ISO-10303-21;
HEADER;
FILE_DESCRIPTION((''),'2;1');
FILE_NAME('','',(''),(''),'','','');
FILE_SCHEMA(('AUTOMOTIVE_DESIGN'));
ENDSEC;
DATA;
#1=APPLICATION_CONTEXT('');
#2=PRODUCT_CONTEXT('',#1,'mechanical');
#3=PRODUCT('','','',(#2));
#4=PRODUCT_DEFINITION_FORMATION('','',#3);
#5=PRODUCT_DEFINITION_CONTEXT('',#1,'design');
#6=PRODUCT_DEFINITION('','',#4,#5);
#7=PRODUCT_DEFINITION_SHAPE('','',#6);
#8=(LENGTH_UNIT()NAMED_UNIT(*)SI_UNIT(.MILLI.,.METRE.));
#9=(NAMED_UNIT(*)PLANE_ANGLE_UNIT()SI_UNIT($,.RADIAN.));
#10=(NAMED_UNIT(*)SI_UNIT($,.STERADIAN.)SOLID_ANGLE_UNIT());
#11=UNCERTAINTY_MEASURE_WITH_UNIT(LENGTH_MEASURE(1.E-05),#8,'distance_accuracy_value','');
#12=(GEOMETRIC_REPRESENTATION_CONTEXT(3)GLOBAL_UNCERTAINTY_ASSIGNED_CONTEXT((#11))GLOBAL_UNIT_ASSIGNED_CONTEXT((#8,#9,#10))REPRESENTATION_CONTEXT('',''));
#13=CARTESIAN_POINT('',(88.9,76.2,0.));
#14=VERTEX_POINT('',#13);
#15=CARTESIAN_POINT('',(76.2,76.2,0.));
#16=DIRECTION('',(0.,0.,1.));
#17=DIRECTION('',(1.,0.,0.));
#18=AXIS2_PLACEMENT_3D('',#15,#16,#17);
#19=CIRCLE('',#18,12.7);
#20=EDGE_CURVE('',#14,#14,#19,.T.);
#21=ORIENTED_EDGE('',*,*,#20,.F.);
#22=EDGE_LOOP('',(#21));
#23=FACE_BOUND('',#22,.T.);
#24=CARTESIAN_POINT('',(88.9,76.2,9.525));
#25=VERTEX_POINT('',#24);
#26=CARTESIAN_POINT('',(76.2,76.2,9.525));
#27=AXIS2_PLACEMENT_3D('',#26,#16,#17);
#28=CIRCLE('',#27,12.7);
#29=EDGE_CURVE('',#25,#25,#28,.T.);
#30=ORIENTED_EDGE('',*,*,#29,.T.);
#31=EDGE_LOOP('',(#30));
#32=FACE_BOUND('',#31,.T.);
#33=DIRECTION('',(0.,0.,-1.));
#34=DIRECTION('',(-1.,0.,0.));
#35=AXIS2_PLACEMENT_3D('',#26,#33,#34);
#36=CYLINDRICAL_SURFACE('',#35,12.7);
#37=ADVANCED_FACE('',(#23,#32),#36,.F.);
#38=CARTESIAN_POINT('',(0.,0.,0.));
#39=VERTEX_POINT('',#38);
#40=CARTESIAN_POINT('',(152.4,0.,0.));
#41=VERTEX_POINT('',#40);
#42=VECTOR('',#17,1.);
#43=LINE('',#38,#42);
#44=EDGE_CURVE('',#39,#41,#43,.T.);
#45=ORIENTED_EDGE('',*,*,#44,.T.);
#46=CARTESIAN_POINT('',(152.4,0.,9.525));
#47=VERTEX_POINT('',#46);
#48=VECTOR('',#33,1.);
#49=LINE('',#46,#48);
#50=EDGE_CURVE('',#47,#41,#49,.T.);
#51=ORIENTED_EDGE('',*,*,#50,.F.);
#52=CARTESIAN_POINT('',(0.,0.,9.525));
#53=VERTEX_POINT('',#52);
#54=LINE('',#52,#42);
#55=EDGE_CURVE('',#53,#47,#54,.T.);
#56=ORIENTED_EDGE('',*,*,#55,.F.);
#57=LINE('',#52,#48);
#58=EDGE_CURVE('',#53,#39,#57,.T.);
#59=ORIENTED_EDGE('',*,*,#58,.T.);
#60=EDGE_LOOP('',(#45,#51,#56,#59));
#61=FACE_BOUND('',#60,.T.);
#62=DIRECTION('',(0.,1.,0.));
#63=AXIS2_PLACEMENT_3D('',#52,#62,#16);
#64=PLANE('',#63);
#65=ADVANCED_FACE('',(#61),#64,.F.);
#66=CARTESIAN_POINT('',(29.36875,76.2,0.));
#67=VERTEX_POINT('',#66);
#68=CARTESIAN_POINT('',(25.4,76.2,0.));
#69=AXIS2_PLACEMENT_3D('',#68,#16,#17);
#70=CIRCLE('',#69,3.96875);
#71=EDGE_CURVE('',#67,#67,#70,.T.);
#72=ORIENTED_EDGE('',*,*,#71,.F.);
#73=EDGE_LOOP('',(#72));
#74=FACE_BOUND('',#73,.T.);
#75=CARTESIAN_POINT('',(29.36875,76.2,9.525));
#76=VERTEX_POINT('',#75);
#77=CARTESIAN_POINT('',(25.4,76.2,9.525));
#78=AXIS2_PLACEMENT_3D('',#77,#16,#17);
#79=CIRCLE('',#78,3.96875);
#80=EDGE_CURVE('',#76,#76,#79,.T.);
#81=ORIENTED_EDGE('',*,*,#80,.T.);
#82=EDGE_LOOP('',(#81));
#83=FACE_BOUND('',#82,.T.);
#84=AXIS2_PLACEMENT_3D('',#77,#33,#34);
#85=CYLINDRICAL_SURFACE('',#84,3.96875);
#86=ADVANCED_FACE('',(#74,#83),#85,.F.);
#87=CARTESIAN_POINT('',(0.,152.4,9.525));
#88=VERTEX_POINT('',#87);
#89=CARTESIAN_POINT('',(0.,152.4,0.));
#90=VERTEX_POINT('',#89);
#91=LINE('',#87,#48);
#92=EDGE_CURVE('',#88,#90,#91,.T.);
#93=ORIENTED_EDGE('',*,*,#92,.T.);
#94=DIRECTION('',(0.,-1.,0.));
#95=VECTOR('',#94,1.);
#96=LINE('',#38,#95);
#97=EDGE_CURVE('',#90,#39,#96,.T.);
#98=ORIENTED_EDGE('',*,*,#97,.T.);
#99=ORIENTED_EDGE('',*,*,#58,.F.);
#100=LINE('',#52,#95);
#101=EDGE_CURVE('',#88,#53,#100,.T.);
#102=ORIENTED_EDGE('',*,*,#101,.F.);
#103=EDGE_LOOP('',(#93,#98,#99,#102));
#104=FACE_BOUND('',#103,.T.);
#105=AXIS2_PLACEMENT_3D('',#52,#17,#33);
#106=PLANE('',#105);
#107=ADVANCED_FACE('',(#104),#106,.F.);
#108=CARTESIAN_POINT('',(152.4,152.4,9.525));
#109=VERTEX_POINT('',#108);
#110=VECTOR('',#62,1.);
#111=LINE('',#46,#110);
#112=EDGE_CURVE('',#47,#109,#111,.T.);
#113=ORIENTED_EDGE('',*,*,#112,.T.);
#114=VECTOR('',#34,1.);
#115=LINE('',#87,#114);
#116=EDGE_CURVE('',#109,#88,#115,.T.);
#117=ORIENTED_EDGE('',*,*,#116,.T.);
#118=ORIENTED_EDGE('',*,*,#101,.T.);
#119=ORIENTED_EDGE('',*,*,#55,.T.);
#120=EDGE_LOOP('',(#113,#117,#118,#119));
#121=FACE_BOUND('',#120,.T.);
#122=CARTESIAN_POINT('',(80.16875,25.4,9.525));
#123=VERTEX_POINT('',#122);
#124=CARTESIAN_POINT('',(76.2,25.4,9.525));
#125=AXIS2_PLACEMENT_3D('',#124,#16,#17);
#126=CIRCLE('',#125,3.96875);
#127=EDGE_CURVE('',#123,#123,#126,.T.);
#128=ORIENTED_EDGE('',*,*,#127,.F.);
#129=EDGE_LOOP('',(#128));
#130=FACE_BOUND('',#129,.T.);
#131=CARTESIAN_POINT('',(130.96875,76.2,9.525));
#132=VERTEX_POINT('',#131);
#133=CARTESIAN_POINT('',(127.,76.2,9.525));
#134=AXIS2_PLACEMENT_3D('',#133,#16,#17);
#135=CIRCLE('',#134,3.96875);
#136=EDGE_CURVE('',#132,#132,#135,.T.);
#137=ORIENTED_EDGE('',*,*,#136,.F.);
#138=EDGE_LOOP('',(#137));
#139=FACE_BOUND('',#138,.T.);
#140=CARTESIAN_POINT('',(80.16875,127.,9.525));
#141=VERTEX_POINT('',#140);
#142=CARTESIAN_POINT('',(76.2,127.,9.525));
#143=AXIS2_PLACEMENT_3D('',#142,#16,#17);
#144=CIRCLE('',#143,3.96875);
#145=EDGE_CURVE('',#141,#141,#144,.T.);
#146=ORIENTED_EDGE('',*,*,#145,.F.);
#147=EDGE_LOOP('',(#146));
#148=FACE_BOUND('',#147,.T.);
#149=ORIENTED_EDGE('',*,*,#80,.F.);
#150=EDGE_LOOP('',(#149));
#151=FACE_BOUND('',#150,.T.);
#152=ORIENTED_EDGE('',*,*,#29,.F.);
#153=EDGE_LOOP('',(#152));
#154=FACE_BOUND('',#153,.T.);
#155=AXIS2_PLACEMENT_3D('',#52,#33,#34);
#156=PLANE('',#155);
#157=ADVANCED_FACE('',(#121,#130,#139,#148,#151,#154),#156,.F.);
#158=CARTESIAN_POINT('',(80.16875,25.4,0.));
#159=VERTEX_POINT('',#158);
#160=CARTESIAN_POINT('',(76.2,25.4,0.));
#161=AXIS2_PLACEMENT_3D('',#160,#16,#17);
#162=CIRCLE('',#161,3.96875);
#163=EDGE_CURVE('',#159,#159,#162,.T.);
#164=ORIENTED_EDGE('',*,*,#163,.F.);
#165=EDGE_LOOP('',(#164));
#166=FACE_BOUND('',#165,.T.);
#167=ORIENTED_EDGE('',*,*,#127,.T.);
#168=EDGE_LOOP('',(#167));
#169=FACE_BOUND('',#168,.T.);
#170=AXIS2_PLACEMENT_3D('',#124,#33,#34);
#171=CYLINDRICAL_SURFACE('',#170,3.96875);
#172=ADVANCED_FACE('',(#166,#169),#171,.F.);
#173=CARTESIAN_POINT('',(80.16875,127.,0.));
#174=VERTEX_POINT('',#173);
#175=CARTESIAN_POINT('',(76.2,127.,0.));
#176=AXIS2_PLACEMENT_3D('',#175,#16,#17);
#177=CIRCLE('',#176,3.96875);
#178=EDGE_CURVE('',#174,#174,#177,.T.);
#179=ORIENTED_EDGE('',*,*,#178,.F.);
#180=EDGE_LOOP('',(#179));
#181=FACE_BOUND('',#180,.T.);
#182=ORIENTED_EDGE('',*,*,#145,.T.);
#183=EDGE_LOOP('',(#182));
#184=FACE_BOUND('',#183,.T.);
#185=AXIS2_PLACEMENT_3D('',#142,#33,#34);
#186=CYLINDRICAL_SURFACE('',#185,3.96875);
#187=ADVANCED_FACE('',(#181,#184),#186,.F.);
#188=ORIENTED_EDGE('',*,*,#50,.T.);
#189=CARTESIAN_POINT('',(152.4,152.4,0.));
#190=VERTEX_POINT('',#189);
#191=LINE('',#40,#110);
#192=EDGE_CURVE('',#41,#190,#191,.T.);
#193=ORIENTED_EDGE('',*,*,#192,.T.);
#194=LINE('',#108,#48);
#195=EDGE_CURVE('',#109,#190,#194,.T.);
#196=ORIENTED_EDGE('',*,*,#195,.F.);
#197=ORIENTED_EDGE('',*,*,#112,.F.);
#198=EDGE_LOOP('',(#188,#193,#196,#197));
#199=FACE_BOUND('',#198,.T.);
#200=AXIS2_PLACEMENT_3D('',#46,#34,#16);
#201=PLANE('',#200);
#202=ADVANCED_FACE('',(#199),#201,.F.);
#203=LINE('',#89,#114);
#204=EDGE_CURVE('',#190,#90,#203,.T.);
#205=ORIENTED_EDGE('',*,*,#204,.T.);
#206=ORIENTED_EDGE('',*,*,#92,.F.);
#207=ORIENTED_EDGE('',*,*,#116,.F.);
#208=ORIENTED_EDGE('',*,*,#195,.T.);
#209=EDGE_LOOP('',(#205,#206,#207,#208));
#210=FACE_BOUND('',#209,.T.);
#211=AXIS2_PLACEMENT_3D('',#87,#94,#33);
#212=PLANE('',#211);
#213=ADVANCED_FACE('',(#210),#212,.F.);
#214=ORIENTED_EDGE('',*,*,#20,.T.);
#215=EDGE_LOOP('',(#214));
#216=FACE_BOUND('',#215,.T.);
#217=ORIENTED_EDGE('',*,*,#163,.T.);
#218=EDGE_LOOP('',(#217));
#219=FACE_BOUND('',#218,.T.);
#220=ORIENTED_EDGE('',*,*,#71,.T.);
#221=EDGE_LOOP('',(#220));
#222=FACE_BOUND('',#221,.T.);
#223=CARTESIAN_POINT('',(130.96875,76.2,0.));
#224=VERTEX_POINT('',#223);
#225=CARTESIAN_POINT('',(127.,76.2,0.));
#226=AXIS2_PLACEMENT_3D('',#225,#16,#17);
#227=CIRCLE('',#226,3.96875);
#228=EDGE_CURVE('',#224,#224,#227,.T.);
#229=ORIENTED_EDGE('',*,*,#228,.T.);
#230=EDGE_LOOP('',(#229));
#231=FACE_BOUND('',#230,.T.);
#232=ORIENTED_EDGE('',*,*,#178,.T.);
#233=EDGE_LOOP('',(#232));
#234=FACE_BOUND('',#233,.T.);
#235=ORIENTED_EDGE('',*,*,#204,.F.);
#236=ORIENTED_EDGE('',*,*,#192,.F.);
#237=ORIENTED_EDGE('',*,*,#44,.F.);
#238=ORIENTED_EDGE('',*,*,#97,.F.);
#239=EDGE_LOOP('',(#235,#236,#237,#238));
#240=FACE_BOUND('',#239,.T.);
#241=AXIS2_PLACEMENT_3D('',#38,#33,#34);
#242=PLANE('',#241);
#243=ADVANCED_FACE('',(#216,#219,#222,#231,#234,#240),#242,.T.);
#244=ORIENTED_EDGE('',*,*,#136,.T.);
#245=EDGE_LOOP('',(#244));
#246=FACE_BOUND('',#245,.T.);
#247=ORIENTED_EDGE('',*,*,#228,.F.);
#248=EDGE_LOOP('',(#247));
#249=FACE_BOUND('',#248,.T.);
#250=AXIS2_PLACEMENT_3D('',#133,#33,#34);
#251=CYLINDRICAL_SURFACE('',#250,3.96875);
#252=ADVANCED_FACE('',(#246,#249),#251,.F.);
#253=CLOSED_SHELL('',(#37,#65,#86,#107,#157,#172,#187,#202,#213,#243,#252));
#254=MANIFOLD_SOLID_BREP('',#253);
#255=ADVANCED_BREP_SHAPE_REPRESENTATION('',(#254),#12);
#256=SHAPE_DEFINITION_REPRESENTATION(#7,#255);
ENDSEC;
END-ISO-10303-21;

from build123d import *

# Parameters (mm, degrees)
SKETCH1_W             = 152.4
SKETCH1_H             = 152.4
PLATE_DEPTH           = 9.525
SKETCH3_R             = 3.96875
BOLT_ONE_SKETCH_DEPTH = 216.736518988
SKETCH4_R             = 12.7
CENTRE_BORE2_DEPTH    = 216.736518988


with BuildPart() as part:
    # Sketch1 → plate (new body)
    with BuildSketch(Plane.XY):
        with Locations((76.2, 76.2)):
            Rectangle(SKETCH1_W, SKETCH1_H)
    extrude(amount=PLATE_DEPTH)

    # Sketch3 → bolt_one_sketch (cut, through all)
    with BuildSketch(Plane.XY):
        with Locations((127, 76.2)):
            Circle(SKETCH3_R)
        with Locations((76.2, 127)):
            Circle(SKETCH3_R)
        with Locations((25.4, 76.2)):
            Circle(SKETCH3_R)
        with Locations((76.2, 25.4)):
            Circle(SKETCH3_R)
    extrude(amount=BOLT_ONE_SKETCH_DEPTH, mode=Mode.SUBTRACT)

    # Sketch4 → centre_bore2 (cut, through all)
    with BuildSketch(Plane.XY):
        with Locations((76.2, 76.2)):
            Circle(SKETCH4_R)
    extrude(amount=CENTRE_BORE2_DEPTH, mode=Mode.SUBTRACT)


solid = part.part
